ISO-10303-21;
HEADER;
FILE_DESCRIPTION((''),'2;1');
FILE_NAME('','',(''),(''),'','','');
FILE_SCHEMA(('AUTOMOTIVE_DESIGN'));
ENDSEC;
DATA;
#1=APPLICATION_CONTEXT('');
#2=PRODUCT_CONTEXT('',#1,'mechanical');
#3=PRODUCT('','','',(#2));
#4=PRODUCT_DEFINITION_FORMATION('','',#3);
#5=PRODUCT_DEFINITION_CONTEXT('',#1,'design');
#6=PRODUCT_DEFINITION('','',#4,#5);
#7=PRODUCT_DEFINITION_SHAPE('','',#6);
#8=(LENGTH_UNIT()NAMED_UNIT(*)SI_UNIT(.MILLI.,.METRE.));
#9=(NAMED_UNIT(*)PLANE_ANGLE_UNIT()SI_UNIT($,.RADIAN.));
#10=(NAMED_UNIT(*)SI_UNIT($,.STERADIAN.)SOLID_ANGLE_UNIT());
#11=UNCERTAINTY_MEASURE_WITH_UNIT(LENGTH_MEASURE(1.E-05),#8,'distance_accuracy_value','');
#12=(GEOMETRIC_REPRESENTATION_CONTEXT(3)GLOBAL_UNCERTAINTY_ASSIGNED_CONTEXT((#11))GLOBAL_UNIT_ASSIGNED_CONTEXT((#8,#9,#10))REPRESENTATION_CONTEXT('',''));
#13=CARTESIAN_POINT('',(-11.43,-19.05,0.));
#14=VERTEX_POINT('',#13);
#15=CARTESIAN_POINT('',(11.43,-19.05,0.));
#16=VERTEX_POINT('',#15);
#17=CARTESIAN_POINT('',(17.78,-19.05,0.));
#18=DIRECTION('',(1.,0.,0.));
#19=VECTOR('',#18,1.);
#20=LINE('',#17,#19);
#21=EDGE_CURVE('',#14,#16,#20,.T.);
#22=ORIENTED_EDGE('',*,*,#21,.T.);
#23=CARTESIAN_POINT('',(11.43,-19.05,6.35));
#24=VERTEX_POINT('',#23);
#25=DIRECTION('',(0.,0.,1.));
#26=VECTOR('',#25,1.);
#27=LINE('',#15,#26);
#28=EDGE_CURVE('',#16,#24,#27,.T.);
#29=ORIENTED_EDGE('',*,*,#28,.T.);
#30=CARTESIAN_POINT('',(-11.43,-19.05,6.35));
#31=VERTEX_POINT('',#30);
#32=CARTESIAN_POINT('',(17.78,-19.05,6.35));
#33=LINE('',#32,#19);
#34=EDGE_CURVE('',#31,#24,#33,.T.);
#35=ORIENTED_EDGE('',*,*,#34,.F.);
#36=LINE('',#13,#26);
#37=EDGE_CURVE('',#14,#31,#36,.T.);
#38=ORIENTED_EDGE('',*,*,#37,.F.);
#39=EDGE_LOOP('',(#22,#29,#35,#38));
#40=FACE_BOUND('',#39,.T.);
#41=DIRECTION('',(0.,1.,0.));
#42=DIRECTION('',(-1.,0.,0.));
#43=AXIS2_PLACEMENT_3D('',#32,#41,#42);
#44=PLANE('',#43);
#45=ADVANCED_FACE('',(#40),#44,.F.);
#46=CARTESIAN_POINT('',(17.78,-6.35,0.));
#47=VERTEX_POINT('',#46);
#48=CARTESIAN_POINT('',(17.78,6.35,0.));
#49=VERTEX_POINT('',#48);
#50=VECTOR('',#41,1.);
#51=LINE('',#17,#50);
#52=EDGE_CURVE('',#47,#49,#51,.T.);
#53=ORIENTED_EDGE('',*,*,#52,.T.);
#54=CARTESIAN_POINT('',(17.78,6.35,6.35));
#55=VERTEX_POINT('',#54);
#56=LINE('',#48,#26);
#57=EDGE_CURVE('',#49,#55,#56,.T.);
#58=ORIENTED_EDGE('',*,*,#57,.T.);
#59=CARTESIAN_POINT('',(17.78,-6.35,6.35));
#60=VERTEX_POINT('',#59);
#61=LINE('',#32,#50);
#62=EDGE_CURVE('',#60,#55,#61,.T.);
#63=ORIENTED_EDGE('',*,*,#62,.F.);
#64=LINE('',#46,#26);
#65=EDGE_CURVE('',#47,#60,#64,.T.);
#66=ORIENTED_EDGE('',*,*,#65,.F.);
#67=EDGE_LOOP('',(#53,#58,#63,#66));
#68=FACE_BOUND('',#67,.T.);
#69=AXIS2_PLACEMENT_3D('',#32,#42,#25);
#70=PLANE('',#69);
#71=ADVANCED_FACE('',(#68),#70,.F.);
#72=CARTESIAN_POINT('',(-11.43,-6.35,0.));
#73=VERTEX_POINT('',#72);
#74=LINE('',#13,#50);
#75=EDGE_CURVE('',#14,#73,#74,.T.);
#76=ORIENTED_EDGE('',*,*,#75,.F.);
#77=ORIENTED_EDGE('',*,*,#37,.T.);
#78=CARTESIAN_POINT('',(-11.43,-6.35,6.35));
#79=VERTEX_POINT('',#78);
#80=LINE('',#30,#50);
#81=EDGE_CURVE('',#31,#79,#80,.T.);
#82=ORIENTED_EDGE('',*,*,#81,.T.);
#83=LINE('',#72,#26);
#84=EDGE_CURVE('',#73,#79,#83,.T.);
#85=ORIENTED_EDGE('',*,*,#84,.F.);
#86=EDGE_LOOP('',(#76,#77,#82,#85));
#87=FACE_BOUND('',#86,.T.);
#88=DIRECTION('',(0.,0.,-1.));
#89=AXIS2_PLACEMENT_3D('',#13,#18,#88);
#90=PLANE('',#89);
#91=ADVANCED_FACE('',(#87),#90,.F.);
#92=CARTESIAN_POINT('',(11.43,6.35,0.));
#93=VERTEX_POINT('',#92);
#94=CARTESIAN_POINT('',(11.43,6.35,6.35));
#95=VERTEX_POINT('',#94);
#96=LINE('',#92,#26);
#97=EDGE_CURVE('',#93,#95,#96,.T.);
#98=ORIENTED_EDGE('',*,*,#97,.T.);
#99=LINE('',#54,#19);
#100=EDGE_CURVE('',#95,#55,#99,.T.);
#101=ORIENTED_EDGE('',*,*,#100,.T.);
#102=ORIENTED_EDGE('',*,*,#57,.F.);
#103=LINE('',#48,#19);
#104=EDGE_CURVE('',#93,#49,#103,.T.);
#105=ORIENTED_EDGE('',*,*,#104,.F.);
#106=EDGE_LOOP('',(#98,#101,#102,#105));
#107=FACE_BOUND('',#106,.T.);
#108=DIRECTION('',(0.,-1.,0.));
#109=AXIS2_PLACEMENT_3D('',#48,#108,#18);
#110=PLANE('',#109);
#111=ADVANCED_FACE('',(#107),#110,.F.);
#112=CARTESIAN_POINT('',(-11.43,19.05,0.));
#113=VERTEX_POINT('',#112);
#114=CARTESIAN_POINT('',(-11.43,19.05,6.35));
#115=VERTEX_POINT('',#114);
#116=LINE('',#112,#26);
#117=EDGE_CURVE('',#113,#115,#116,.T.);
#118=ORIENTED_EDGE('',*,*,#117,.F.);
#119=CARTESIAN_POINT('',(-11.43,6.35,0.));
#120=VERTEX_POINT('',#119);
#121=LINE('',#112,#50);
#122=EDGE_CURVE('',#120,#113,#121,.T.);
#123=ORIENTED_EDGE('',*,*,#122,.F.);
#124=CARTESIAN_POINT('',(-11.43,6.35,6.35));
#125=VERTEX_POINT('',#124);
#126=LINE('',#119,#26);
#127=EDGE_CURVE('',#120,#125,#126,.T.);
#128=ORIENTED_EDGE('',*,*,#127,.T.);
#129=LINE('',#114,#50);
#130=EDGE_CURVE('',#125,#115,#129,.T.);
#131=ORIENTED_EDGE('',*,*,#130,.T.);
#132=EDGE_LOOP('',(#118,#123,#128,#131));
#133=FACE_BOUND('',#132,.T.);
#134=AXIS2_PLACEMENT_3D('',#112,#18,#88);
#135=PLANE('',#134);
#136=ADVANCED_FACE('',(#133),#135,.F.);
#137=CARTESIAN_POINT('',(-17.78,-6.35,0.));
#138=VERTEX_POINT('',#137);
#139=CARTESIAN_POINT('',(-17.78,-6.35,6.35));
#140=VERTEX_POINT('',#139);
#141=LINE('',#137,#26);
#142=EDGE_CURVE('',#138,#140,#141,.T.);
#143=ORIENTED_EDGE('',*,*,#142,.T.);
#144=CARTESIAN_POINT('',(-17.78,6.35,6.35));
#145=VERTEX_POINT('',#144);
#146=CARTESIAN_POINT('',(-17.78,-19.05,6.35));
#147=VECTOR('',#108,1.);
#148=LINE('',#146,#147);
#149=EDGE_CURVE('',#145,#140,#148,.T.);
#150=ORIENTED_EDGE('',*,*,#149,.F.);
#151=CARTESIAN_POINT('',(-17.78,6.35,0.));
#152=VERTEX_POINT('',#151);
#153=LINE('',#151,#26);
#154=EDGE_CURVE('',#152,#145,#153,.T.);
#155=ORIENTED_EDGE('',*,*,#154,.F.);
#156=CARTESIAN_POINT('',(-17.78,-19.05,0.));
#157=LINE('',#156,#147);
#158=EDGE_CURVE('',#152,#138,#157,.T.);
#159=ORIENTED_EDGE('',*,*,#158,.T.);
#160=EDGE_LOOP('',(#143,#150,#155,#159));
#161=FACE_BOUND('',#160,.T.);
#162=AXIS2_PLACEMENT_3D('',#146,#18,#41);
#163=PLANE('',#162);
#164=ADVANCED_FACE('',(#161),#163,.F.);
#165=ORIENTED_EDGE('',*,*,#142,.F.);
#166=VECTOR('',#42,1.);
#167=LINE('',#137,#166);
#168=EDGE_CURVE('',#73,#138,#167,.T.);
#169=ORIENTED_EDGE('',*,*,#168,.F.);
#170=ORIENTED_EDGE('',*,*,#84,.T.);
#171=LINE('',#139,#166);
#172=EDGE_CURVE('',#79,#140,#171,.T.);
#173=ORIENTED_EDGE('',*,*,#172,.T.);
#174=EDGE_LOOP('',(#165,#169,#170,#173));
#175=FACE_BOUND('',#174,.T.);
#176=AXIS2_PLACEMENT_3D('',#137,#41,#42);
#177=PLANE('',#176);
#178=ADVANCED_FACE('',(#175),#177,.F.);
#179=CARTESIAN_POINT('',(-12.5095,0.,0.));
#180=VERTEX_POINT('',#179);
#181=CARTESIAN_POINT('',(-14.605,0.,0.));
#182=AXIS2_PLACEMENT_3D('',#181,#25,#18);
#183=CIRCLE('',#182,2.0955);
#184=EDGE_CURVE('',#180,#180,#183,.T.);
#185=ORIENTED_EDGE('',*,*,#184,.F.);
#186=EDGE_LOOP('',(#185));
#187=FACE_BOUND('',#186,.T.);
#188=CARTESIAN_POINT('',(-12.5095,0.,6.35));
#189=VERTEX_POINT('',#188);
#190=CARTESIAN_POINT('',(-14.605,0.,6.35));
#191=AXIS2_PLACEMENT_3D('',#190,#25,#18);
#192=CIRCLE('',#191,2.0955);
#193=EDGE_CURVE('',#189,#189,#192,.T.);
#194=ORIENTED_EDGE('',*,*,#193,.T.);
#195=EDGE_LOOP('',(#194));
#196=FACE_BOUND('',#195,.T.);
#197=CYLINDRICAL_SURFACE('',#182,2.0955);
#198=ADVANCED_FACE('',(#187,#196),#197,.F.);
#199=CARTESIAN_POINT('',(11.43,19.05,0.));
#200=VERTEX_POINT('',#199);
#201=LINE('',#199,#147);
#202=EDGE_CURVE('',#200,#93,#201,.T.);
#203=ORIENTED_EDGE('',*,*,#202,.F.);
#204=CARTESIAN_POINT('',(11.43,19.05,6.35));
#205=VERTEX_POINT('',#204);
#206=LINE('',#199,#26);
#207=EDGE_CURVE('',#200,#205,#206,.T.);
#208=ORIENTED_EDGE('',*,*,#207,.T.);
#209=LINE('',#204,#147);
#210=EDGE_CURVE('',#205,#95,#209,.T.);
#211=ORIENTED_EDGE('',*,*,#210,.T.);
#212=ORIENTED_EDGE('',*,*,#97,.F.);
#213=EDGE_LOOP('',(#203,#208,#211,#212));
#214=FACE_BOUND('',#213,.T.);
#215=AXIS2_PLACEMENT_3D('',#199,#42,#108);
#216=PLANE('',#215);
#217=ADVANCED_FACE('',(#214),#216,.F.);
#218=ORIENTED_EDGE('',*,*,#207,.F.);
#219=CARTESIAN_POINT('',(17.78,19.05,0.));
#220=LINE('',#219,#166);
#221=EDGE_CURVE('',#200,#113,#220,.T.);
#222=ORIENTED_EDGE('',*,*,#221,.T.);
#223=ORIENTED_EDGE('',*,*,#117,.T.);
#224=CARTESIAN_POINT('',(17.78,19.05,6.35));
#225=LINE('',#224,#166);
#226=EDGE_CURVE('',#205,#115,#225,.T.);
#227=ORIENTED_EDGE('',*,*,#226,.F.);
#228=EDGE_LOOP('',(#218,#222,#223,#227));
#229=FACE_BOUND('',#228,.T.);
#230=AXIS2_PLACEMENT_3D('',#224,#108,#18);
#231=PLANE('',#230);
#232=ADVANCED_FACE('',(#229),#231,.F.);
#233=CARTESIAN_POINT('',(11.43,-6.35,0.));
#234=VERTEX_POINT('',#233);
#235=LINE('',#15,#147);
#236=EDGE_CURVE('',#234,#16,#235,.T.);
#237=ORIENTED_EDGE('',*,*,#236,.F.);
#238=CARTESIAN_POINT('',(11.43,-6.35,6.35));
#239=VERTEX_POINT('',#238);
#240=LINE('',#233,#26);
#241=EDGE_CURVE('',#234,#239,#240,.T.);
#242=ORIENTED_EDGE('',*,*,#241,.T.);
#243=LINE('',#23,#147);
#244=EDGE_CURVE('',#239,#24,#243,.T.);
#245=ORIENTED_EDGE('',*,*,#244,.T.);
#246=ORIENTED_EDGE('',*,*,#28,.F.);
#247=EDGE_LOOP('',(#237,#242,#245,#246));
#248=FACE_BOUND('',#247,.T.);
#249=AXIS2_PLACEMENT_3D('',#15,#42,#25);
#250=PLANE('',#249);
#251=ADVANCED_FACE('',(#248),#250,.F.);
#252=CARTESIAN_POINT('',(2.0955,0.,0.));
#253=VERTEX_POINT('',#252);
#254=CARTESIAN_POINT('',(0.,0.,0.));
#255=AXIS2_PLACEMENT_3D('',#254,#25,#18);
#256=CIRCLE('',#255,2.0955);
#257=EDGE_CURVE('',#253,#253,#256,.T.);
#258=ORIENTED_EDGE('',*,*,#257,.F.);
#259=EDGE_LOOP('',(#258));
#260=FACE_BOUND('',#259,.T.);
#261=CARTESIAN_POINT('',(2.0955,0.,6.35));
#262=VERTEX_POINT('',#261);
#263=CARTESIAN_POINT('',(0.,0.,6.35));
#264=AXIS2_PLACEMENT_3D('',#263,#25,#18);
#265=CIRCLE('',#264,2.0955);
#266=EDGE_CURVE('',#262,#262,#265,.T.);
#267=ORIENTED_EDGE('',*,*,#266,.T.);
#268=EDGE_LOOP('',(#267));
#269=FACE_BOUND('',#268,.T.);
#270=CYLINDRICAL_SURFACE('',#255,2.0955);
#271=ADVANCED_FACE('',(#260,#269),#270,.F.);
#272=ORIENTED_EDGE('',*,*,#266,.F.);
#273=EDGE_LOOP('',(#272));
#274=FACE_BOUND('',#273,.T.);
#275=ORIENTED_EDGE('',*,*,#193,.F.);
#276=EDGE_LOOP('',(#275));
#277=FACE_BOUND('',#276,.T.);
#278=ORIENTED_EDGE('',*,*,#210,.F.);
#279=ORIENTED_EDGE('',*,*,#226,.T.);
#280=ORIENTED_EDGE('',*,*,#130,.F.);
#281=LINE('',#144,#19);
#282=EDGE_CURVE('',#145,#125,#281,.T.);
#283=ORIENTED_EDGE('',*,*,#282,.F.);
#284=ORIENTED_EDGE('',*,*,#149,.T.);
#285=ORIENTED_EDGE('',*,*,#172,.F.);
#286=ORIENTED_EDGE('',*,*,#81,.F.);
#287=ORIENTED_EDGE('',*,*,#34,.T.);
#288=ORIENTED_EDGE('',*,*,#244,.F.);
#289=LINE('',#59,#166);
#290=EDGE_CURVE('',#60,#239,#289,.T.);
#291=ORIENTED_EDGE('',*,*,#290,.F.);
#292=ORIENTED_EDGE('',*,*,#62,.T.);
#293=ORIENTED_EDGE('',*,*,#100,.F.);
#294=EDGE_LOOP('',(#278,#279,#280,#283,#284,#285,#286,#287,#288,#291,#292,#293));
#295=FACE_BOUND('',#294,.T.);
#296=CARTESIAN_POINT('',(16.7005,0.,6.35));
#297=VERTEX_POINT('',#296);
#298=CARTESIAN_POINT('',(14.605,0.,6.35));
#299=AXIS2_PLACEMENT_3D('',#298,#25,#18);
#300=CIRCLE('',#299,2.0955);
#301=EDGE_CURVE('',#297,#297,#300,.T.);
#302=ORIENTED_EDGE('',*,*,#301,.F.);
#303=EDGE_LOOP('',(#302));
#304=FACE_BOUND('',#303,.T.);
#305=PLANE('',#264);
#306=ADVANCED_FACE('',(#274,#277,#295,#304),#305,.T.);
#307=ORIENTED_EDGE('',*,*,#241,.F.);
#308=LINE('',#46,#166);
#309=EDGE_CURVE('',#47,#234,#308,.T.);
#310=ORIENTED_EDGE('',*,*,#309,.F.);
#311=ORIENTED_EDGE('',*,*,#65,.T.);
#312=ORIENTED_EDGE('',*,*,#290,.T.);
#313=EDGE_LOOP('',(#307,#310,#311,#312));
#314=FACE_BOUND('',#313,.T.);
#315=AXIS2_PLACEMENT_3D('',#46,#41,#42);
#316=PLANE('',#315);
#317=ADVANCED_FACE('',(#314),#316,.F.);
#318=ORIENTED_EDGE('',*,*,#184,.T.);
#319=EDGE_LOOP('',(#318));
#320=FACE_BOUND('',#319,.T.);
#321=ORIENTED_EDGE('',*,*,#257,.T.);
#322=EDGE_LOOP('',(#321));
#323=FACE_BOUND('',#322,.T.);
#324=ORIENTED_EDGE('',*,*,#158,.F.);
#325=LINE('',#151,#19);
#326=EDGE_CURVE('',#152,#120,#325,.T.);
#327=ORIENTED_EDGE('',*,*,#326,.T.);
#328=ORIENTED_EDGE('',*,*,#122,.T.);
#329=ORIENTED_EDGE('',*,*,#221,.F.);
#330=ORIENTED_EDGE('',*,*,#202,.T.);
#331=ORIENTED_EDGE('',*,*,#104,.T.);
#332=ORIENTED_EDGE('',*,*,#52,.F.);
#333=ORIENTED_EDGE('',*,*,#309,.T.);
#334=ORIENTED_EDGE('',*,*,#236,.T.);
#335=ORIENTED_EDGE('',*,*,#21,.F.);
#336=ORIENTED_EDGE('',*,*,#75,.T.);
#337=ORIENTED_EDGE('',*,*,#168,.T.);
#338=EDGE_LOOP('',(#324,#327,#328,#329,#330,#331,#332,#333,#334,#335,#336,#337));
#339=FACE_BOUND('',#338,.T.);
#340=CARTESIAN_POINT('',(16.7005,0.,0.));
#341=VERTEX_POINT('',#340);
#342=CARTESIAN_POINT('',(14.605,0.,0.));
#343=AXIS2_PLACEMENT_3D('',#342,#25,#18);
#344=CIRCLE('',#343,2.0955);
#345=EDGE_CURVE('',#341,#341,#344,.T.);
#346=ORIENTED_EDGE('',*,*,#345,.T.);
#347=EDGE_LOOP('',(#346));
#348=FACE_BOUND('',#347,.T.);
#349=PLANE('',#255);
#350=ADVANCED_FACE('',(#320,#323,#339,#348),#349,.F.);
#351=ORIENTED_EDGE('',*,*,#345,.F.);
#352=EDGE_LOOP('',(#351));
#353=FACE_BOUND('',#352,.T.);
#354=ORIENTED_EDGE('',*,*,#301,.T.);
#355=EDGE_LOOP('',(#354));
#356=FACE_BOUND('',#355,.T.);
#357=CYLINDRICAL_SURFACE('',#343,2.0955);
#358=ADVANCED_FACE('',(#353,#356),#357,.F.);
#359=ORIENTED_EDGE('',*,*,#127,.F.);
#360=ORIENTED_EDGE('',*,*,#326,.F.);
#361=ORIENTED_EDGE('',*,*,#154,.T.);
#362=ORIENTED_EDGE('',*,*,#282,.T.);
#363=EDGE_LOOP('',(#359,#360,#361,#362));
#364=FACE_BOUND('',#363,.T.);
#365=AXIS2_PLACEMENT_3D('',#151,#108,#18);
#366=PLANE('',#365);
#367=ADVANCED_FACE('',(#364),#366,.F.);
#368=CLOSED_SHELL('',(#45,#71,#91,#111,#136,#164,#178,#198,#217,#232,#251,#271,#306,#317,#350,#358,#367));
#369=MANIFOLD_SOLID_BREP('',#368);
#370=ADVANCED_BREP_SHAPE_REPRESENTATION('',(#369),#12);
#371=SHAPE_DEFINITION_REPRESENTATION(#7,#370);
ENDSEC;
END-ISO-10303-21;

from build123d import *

# Parameters (mm, degrees)
SKETCH1_W           = 35.56
SKETCH1_H           = 38.1
BOSS_EXTRUDE1_DEPTH = 6.35
SKETCH2_W           = 6.35
SKETCH2_H           = 12.7
CUT_EXTRUDE1_DEPTH  = 27.820764344
SKETCH3_R           = 2.0955
CUT_EXTRUDE2_DEPTH  = 27.820764344
SKETCH4_R           = 2.0955
CUT_EXTRUDE3_DEPTH  = 27.820764344


with BuildPart() as part:
    # Sketch1 → Boss-Extrude1 (new body)
    with BuildSketch(Plane.XY):
        Rectangle(SKETCH1_W, SKETCH1_H)
    extrude(amount=BOSS_EXTRUDE1_DEPTH)

    # Sketch2 → Cut-Extrude1 (cut, through all)
    with BuildSketch(Plane.XY.offset(6.35)):
        with Locations((14.605, -12.7)):
            Rectangle(SKETCH2_W, SKETCH2_H)
        with Locations((14.605, 12.7)):
            Rectangle(SKETCH2_W, SKETCH2_H)
        with Locations((-14.605, 12.7)):
            Rectangle(SKETCH2_W, SKETCH2_H)
        with Locations((-14.605, -12.7)):
            Rectangle(SKETCH2_W, SKETCH2_H)
    extrude(amount=-CUT_EXTRUDE1_DEPTH, mode=Mode.SUBTRACT)

    # Sketch3 → Cut-Extrude2 (cut, through all)
    with BuildSketch(Plane.XY.offset(6.35)):
        with Locations((14.605, 0)):
            Circle(SKETCH3_R)
        with Locations((-14.605, 0)):
            Circle(SKETCH3_R)
    extrude(amount=-CUT_EXTRUDE2_DEPTH, mode=Mode.SUBTRACT)

    # Sketch4 → Cut-Extrude3 (cut, through all)
    with BuildSketch(Plane.XY.offset(6.35)):
        Circle(SKETCH4_R)
    extrude(amount=-CUT_EXTRUDE3_DEPTH, mode=Mode.SUBTRACT)


solid = part.part
